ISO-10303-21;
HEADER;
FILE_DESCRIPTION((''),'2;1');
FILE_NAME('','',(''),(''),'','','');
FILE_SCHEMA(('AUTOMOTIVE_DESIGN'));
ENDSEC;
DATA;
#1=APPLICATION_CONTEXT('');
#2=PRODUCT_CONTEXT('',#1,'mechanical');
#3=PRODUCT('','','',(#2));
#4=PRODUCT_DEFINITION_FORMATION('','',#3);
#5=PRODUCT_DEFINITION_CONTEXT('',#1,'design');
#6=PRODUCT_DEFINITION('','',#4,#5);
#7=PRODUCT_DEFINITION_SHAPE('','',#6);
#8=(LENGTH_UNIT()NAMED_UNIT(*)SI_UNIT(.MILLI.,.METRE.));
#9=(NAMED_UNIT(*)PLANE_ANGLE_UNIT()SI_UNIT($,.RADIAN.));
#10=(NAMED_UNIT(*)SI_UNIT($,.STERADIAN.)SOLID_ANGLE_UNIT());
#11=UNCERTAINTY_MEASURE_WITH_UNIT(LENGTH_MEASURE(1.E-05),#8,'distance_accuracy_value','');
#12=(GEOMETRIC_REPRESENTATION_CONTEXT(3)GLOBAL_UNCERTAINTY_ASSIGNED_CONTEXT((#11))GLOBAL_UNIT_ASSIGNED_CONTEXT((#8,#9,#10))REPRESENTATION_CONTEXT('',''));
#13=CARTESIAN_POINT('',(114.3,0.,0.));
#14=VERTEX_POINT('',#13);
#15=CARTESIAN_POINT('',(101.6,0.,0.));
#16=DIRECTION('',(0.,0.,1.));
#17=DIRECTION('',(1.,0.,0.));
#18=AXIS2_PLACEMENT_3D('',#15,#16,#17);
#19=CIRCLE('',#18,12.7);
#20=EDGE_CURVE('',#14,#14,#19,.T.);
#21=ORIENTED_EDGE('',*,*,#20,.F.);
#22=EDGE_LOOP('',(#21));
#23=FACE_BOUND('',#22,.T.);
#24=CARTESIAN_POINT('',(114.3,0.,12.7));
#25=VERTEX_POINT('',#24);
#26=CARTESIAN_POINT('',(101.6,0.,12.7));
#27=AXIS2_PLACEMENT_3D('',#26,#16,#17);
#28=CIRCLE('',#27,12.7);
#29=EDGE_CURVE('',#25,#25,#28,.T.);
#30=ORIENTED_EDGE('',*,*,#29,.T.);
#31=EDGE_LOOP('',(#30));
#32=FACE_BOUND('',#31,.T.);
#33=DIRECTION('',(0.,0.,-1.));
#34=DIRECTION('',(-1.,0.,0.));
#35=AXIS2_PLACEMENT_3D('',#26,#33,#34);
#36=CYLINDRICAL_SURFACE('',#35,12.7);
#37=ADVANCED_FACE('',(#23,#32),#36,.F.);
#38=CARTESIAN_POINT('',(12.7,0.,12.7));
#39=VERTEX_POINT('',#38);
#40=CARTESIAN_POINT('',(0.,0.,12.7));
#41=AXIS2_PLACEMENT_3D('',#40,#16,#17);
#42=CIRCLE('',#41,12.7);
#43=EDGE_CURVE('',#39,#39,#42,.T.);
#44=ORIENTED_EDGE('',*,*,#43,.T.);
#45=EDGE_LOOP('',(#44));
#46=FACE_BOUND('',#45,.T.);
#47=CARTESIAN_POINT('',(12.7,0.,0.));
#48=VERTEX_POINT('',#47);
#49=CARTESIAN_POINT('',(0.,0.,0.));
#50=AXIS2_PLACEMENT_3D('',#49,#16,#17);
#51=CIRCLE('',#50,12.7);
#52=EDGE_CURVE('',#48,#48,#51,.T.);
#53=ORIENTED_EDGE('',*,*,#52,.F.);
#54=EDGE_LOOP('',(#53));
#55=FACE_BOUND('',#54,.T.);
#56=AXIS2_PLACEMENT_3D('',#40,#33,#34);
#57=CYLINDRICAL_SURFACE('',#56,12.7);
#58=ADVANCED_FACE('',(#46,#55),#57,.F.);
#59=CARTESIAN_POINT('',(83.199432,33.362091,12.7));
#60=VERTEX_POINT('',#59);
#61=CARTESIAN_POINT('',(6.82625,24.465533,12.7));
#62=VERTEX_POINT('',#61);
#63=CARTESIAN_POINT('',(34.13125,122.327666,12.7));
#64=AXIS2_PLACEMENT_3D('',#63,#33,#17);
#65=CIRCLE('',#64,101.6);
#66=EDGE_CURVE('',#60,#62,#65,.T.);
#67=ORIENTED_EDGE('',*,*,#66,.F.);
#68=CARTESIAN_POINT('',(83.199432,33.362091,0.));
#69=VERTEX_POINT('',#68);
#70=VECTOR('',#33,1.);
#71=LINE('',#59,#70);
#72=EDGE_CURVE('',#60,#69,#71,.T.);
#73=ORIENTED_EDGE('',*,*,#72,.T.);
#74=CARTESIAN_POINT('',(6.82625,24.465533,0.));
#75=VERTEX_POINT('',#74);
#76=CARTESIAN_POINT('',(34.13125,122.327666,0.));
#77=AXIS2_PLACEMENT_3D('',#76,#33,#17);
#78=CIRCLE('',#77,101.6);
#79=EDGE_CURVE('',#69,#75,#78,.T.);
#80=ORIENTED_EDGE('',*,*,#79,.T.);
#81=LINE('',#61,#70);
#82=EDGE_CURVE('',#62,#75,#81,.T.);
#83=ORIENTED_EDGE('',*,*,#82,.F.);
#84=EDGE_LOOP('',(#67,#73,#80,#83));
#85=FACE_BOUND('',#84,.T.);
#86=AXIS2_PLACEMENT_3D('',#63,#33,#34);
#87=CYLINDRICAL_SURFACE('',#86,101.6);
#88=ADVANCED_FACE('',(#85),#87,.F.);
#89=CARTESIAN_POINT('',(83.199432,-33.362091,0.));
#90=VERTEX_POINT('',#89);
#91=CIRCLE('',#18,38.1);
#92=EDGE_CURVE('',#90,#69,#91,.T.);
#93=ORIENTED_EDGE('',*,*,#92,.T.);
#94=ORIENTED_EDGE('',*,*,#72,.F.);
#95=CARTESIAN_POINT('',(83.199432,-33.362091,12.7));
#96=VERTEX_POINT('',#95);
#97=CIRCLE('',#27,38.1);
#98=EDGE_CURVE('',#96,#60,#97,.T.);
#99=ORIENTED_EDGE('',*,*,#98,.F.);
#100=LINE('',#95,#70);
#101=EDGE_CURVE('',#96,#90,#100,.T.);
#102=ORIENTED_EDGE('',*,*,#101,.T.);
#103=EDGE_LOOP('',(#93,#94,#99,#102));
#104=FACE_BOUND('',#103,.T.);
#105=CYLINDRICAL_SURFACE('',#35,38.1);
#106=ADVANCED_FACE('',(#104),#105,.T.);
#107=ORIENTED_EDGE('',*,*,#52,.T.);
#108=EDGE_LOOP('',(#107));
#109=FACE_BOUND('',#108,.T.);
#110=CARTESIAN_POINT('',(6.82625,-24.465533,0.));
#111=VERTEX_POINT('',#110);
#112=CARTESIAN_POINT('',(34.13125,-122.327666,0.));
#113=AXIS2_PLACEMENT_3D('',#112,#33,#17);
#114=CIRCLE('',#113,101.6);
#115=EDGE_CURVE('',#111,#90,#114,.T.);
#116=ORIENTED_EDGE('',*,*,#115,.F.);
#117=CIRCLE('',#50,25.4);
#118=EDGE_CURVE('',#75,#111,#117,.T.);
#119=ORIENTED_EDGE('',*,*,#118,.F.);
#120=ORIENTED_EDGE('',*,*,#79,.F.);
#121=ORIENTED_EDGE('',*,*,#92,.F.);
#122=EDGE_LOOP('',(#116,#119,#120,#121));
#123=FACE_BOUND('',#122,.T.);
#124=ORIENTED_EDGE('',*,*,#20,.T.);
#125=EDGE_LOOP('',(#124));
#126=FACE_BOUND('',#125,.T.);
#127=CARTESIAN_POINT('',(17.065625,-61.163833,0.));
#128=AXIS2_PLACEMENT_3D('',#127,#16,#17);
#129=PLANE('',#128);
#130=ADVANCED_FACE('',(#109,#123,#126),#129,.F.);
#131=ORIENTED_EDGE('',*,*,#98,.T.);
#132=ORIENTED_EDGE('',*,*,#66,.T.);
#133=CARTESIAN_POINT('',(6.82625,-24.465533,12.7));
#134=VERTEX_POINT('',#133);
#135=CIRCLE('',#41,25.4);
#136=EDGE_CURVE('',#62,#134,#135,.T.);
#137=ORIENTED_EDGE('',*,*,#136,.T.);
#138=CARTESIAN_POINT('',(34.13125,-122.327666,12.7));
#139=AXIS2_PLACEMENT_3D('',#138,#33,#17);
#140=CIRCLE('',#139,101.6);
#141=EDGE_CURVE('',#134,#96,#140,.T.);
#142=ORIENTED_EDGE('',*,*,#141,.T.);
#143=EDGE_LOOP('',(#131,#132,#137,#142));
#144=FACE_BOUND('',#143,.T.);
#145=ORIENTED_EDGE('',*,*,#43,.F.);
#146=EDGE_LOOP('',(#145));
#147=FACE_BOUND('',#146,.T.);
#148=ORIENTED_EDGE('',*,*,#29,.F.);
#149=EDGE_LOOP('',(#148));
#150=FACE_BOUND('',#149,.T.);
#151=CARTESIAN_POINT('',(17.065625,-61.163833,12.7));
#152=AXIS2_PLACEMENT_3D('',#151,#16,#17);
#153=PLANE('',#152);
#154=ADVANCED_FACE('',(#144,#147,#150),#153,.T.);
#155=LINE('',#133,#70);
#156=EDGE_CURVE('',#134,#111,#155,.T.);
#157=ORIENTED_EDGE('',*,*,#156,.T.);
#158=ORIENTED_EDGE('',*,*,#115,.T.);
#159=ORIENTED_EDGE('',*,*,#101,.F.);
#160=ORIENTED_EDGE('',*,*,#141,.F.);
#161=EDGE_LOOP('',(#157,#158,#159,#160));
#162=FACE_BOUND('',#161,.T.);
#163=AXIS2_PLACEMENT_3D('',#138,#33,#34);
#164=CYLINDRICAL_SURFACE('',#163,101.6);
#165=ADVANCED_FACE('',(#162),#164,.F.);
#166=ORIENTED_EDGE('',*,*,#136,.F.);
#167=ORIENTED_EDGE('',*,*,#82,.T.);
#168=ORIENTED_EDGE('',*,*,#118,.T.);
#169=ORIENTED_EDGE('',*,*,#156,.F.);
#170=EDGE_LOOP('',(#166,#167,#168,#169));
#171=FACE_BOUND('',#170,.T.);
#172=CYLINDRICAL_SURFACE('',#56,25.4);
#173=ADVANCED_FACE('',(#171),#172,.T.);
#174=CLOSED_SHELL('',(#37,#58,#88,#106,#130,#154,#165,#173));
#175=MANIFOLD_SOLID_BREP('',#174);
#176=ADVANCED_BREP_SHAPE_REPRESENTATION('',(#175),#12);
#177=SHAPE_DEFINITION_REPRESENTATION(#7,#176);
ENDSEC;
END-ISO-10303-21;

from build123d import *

# Parameters (mm, degrees)
SKETCH1_R           = 12.7
BOSS_EXTRUDE1_DEPTH = 12.7


with BuildPart() as part:
    # Sketch1 → Boss-Extrude1 (new body)
    with BuildSketch(Plane.XY):
        with BuildLine():
            ThreePointArc((6.82625, 24.465533122), (-25.4, 0), (6.82625, -24.465533122))
            ThreePointArc((6.82625, -24.465533122), (45.886938178, -21.410056663), (83.199431818, -33.362090621))
            ThreePointArc((83.199431818, -33.362090621), (139.7, 0), (83.199431818, 33.362090621))
            ThreePointArc((83.199431818, 33.362090621), (45.886938178, 21.410056663), (6.82625, 24.465533122))
        make_face()
        Circle(SKETCH1_R, mode=Mode.SUBTRACT)
        with Locations((101.6, 0)):
            Circle(SKETCH1_R, mode=Mode.SUBTRACT)
    extrude(amount=BOSS_EXTRUDE1_DEPTH)


solid = part.part
